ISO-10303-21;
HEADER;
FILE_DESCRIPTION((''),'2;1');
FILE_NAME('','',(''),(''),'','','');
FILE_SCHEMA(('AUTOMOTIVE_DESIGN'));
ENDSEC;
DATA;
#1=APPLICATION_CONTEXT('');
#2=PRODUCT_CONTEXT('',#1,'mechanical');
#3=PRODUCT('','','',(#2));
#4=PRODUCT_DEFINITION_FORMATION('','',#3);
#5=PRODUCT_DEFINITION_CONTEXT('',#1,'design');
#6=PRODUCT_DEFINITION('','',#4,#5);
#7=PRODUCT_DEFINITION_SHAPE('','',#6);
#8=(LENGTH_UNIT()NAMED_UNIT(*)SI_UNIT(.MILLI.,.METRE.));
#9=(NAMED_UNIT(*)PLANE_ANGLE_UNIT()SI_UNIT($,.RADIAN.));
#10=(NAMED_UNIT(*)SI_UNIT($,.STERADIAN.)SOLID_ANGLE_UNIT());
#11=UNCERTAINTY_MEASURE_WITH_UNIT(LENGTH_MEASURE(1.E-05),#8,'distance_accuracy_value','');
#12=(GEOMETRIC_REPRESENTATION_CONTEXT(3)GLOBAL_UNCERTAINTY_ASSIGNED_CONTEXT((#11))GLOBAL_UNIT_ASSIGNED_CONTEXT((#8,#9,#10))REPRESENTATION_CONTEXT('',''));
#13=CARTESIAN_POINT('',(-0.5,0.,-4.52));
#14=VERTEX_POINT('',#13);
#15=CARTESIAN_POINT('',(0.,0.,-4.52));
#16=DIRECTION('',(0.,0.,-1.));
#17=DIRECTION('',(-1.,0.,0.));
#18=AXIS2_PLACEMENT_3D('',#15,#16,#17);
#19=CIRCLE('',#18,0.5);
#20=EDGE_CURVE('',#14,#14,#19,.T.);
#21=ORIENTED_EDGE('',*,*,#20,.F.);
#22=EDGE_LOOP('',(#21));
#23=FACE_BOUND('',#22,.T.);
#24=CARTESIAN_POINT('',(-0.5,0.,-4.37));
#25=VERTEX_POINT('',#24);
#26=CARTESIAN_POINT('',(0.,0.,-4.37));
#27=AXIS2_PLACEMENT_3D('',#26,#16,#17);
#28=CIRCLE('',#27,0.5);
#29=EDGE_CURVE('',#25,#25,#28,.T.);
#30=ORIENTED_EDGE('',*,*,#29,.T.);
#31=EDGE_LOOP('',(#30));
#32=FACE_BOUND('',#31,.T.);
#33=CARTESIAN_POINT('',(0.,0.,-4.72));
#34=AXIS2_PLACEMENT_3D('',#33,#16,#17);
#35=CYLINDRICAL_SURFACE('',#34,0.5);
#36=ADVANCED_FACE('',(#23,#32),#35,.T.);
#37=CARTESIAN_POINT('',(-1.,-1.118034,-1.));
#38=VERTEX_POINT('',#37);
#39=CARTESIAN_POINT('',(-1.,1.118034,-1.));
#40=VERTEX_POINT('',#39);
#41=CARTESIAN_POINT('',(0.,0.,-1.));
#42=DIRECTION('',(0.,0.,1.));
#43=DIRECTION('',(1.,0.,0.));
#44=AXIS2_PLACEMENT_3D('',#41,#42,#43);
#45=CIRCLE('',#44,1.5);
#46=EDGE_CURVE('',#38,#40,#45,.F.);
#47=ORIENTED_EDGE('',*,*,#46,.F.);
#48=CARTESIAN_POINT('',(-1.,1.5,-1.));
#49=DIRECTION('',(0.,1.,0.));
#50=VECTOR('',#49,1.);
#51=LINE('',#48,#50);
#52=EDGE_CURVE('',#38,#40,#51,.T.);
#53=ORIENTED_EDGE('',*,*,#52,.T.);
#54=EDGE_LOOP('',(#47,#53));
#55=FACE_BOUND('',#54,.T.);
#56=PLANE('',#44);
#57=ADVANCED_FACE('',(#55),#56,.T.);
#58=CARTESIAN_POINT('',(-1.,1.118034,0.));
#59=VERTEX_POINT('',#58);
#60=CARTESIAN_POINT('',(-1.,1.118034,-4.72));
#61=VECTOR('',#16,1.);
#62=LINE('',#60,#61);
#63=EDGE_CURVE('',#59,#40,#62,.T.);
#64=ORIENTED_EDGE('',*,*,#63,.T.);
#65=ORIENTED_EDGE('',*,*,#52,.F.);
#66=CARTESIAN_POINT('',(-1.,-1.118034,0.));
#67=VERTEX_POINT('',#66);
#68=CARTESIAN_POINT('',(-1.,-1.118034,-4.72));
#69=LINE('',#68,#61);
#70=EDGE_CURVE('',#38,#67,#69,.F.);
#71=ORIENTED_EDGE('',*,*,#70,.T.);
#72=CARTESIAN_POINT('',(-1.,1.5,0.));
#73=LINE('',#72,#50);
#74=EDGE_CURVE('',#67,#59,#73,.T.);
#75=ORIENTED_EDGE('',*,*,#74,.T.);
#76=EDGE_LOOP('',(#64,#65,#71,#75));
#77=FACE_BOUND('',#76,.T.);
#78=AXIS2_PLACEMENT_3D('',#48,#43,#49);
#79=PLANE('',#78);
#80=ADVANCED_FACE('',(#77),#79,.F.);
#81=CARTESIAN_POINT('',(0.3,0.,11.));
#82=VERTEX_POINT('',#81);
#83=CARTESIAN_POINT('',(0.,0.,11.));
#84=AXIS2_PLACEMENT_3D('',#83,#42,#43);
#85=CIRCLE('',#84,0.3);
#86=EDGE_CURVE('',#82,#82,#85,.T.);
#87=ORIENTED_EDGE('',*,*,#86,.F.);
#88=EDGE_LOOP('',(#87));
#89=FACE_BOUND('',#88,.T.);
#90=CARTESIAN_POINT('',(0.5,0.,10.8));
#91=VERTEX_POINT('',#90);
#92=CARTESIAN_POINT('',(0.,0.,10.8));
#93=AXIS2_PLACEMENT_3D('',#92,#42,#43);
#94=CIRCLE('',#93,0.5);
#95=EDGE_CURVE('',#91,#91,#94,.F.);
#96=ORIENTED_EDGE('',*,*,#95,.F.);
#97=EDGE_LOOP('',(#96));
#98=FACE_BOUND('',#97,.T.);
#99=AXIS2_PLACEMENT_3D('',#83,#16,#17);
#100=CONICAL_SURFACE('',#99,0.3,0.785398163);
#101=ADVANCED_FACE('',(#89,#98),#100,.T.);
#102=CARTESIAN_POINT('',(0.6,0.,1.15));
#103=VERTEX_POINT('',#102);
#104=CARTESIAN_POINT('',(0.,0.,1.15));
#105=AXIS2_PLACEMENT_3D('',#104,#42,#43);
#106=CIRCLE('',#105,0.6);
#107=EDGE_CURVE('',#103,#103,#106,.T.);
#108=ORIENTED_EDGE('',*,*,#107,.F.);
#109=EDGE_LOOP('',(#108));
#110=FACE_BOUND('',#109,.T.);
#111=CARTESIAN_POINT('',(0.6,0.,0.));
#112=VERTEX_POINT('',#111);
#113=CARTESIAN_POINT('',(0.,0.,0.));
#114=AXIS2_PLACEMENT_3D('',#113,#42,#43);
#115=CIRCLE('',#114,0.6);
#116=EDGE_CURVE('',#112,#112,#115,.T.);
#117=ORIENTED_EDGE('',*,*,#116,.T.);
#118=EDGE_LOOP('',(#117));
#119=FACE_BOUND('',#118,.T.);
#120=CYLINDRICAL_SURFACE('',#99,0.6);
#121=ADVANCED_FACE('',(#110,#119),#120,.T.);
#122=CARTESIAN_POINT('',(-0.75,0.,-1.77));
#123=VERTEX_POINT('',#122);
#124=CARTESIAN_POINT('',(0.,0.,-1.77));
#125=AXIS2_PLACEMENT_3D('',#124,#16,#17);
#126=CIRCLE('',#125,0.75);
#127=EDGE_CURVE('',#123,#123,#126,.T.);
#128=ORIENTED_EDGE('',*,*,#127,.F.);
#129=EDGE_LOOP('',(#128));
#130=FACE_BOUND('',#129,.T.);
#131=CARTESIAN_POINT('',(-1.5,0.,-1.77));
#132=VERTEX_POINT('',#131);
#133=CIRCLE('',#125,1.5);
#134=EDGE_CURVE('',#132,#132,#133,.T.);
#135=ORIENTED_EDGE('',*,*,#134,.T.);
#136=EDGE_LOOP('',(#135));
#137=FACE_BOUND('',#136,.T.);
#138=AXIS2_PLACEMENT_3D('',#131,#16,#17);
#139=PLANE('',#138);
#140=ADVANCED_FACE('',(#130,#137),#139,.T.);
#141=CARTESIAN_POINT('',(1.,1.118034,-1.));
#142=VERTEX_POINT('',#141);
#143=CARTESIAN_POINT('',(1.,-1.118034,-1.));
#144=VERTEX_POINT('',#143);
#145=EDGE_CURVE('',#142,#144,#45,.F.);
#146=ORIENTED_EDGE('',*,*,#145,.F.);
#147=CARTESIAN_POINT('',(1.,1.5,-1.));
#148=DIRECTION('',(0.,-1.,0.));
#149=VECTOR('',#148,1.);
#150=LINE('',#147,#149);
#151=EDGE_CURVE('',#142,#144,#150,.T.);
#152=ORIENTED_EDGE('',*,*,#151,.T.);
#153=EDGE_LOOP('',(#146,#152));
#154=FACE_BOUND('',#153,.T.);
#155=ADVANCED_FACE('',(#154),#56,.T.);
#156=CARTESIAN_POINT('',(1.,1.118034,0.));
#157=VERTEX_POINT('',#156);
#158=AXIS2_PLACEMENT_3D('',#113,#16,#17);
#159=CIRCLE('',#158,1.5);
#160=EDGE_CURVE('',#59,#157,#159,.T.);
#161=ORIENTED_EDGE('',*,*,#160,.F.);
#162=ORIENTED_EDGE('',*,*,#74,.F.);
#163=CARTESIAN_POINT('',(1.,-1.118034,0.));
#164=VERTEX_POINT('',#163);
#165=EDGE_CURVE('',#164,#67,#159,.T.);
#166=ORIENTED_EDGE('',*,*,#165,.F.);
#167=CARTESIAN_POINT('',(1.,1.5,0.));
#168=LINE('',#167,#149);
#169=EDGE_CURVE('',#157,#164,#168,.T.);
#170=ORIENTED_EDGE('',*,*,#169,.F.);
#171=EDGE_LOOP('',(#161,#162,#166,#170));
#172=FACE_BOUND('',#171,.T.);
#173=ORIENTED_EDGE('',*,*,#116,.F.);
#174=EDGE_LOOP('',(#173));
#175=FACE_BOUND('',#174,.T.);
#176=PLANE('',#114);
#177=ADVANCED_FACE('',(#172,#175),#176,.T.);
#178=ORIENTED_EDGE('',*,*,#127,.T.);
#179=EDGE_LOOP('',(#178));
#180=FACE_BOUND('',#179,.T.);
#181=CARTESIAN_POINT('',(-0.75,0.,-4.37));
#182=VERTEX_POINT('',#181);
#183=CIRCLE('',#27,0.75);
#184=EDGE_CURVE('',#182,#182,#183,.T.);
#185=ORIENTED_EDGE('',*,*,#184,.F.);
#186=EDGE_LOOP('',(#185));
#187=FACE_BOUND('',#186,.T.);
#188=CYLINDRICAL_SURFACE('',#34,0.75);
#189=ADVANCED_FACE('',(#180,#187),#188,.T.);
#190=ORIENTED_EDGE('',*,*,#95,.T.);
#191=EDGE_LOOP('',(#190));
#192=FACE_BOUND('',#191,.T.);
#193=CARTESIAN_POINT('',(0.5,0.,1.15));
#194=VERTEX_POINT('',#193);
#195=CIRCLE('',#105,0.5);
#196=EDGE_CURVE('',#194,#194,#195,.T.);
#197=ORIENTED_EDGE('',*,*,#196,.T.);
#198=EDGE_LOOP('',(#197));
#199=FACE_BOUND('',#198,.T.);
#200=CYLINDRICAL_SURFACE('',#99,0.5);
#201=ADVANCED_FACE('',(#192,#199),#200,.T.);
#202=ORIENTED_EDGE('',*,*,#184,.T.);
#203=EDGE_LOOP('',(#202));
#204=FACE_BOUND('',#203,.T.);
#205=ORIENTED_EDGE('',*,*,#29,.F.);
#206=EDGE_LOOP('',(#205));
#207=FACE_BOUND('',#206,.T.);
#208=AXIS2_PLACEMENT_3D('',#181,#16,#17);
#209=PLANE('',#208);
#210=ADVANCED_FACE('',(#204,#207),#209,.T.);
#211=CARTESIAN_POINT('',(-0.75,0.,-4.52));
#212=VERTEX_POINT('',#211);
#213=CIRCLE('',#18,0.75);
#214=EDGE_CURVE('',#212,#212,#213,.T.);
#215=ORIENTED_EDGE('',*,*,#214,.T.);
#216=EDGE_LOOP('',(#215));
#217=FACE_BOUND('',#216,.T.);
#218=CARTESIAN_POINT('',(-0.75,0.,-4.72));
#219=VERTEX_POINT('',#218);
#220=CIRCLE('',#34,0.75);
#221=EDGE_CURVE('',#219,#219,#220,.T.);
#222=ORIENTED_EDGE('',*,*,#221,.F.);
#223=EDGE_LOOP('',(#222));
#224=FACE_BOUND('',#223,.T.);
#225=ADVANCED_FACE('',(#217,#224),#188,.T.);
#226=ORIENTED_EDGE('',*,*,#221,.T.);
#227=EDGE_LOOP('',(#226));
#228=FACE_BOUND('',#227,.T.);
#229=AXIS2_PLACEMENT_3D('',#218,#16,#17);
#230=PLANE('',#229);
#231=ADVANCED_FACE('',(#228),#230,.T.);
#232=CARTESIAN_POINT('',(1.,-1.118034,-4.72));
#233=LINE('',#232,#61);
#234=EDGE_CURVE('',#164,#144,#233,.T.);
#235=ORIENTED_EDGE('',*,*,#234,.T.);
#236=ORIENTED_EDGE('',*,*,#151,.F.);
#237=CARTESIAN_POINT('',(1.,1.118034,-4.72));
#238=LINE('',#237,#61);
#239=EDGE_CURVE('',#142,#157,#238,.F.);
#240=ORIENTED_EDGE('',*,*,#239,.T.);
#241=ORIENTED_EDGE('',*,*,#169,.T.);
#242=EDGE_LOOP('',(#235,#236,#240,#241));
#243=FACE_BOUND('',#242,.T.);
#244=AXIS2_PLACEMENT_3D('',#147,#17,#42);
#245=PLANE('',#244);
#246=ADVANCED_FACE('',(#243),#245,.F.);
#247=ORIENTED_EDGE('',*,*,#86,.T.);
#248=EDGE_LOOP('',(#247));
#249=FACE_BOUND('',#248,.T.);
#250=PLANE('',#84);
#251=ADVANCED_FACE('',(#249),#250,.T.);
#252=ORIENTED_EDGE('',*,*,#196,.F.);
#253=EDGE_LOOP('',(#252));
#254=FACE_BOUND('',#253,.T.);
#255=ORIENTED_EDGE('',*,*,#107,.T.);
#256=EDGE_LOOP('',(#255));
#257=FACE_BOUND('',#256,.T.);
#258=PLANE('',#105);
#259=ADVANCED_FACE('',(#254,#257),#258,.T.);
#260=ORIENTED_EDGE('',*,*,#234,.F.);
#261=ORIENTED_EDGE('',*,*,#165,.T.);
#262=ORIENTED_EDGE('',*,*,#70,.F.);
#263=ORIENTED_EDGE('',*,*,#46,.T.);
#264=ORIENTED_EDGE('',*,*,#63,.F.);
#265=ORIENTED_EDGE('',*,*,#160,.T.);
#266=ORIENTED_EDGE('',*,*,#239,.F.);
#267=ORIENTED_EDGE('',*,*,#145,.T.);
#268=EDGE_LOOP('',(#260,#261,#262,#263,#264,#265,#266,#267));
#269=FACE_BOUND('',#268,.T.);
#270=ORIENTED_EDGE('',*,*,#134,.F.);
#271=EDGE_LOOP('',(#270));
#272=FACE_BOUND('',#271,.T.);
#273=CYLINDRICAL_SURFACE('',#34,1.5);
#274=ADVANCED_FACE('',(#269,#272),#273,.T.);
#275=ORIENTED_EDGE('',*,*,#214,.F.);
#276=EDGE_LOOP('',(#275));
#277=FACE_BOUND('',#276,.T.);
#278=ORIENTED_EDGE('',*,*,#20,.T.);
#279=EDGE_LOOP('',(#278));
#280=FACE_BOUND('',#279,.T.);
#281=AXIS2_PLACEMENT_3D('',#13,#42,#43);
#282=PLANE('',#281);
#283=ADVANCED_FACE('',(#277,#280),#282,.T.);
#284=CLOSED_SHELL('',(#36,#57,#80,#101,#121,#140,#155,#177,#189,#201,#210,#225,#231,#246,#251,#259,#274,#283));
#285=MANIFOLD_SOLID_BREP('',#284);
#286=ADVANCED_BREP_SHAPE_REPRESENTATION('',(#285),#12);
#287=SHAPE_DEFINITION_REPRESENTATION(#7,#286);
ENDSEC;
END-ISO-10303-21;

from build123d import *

# Parameters (mm, degrees)
SKETCH2_W           = 1
SKETCH2_H           = 3
CUT_EXTRUDE1_DEPTH  = 1
SKETCH3_R           = 0.6
BOSS_EXTRUDE1_DEPTH = 11
CUT_EXTRUDE2_START  = 1.15
SKETCH4_R           = 0.6
SKETCH4_R_2         = 0.5
CUT_EXTRUDE2_DEPTH  = 11.052678251
CHAMFER1_SIZE       = 0.2


with BuildPart() as part:
    # Sketch1 → Revolve1 (revolve)
    with BuildSketch(Plane(origin=(0, 0, 0), x_dir=(1, 0, 0), z_dir=(0, 1, 0))):
        Polygon((0, 0), (-1.5, 0), (-1.5, 1.77), (-0.75, 1.77), (-0.75, 4.37), (-0.5, 4.37), (-0.5, 4.52), (-0.75, 4.52), (-0.75, 4.72), (0, 4.72), align=None)
    revolve(axis=Axis((0, 0, -4.72), (0, 0, 1)))

    # Sketch2 → Cut-Extrude1 (cut)
    with BuildSketch(Plane.XY):
        with Locations((-1.5, 0)):
            Rectangle(SKETCH2_W, SKETCH2_H)
        with Locations((1.5, 0)):
            Rectangle(SKETCH2_W, SKETCH2_H)
    extrude(amount=-CUT_EXTRUDE1_DEPTH, mode=Mode.SUBTRACT)

    # Sketch3 → Boss-Extrude1 (add)
    with BuildSketch(Plane.XY):
        Circle(SKETCH3_R)
    extrude(amount=BOSS_EXTRUDE1_DEPTH)

    # Sketch4 → Cut-Extrude2 (cut, through all)
    with BuildSketch(Plane.XY.offset(CUT_EXTRUDE2_START)):
        Circle(SKETCH4_R)
        with Locations(Location((0, 0, 0), (0, 0, 180))):
            Circle(SKETCH4_R_2, mode=Mode.SUBTRACT)
    extrude(amount=CUT_EXTRUDE2_DEPTH, mode=Mode.SUBTRACT)

    # Chamfer1
    chamfer1_edges = [part.edges().sort_by_distance(p)[0] for p in [
        (0.5, 0, 11),
    ]]
    chamfer(chamfer1_edges, length=CHAMFER1_SIZE)


solid = part.part
